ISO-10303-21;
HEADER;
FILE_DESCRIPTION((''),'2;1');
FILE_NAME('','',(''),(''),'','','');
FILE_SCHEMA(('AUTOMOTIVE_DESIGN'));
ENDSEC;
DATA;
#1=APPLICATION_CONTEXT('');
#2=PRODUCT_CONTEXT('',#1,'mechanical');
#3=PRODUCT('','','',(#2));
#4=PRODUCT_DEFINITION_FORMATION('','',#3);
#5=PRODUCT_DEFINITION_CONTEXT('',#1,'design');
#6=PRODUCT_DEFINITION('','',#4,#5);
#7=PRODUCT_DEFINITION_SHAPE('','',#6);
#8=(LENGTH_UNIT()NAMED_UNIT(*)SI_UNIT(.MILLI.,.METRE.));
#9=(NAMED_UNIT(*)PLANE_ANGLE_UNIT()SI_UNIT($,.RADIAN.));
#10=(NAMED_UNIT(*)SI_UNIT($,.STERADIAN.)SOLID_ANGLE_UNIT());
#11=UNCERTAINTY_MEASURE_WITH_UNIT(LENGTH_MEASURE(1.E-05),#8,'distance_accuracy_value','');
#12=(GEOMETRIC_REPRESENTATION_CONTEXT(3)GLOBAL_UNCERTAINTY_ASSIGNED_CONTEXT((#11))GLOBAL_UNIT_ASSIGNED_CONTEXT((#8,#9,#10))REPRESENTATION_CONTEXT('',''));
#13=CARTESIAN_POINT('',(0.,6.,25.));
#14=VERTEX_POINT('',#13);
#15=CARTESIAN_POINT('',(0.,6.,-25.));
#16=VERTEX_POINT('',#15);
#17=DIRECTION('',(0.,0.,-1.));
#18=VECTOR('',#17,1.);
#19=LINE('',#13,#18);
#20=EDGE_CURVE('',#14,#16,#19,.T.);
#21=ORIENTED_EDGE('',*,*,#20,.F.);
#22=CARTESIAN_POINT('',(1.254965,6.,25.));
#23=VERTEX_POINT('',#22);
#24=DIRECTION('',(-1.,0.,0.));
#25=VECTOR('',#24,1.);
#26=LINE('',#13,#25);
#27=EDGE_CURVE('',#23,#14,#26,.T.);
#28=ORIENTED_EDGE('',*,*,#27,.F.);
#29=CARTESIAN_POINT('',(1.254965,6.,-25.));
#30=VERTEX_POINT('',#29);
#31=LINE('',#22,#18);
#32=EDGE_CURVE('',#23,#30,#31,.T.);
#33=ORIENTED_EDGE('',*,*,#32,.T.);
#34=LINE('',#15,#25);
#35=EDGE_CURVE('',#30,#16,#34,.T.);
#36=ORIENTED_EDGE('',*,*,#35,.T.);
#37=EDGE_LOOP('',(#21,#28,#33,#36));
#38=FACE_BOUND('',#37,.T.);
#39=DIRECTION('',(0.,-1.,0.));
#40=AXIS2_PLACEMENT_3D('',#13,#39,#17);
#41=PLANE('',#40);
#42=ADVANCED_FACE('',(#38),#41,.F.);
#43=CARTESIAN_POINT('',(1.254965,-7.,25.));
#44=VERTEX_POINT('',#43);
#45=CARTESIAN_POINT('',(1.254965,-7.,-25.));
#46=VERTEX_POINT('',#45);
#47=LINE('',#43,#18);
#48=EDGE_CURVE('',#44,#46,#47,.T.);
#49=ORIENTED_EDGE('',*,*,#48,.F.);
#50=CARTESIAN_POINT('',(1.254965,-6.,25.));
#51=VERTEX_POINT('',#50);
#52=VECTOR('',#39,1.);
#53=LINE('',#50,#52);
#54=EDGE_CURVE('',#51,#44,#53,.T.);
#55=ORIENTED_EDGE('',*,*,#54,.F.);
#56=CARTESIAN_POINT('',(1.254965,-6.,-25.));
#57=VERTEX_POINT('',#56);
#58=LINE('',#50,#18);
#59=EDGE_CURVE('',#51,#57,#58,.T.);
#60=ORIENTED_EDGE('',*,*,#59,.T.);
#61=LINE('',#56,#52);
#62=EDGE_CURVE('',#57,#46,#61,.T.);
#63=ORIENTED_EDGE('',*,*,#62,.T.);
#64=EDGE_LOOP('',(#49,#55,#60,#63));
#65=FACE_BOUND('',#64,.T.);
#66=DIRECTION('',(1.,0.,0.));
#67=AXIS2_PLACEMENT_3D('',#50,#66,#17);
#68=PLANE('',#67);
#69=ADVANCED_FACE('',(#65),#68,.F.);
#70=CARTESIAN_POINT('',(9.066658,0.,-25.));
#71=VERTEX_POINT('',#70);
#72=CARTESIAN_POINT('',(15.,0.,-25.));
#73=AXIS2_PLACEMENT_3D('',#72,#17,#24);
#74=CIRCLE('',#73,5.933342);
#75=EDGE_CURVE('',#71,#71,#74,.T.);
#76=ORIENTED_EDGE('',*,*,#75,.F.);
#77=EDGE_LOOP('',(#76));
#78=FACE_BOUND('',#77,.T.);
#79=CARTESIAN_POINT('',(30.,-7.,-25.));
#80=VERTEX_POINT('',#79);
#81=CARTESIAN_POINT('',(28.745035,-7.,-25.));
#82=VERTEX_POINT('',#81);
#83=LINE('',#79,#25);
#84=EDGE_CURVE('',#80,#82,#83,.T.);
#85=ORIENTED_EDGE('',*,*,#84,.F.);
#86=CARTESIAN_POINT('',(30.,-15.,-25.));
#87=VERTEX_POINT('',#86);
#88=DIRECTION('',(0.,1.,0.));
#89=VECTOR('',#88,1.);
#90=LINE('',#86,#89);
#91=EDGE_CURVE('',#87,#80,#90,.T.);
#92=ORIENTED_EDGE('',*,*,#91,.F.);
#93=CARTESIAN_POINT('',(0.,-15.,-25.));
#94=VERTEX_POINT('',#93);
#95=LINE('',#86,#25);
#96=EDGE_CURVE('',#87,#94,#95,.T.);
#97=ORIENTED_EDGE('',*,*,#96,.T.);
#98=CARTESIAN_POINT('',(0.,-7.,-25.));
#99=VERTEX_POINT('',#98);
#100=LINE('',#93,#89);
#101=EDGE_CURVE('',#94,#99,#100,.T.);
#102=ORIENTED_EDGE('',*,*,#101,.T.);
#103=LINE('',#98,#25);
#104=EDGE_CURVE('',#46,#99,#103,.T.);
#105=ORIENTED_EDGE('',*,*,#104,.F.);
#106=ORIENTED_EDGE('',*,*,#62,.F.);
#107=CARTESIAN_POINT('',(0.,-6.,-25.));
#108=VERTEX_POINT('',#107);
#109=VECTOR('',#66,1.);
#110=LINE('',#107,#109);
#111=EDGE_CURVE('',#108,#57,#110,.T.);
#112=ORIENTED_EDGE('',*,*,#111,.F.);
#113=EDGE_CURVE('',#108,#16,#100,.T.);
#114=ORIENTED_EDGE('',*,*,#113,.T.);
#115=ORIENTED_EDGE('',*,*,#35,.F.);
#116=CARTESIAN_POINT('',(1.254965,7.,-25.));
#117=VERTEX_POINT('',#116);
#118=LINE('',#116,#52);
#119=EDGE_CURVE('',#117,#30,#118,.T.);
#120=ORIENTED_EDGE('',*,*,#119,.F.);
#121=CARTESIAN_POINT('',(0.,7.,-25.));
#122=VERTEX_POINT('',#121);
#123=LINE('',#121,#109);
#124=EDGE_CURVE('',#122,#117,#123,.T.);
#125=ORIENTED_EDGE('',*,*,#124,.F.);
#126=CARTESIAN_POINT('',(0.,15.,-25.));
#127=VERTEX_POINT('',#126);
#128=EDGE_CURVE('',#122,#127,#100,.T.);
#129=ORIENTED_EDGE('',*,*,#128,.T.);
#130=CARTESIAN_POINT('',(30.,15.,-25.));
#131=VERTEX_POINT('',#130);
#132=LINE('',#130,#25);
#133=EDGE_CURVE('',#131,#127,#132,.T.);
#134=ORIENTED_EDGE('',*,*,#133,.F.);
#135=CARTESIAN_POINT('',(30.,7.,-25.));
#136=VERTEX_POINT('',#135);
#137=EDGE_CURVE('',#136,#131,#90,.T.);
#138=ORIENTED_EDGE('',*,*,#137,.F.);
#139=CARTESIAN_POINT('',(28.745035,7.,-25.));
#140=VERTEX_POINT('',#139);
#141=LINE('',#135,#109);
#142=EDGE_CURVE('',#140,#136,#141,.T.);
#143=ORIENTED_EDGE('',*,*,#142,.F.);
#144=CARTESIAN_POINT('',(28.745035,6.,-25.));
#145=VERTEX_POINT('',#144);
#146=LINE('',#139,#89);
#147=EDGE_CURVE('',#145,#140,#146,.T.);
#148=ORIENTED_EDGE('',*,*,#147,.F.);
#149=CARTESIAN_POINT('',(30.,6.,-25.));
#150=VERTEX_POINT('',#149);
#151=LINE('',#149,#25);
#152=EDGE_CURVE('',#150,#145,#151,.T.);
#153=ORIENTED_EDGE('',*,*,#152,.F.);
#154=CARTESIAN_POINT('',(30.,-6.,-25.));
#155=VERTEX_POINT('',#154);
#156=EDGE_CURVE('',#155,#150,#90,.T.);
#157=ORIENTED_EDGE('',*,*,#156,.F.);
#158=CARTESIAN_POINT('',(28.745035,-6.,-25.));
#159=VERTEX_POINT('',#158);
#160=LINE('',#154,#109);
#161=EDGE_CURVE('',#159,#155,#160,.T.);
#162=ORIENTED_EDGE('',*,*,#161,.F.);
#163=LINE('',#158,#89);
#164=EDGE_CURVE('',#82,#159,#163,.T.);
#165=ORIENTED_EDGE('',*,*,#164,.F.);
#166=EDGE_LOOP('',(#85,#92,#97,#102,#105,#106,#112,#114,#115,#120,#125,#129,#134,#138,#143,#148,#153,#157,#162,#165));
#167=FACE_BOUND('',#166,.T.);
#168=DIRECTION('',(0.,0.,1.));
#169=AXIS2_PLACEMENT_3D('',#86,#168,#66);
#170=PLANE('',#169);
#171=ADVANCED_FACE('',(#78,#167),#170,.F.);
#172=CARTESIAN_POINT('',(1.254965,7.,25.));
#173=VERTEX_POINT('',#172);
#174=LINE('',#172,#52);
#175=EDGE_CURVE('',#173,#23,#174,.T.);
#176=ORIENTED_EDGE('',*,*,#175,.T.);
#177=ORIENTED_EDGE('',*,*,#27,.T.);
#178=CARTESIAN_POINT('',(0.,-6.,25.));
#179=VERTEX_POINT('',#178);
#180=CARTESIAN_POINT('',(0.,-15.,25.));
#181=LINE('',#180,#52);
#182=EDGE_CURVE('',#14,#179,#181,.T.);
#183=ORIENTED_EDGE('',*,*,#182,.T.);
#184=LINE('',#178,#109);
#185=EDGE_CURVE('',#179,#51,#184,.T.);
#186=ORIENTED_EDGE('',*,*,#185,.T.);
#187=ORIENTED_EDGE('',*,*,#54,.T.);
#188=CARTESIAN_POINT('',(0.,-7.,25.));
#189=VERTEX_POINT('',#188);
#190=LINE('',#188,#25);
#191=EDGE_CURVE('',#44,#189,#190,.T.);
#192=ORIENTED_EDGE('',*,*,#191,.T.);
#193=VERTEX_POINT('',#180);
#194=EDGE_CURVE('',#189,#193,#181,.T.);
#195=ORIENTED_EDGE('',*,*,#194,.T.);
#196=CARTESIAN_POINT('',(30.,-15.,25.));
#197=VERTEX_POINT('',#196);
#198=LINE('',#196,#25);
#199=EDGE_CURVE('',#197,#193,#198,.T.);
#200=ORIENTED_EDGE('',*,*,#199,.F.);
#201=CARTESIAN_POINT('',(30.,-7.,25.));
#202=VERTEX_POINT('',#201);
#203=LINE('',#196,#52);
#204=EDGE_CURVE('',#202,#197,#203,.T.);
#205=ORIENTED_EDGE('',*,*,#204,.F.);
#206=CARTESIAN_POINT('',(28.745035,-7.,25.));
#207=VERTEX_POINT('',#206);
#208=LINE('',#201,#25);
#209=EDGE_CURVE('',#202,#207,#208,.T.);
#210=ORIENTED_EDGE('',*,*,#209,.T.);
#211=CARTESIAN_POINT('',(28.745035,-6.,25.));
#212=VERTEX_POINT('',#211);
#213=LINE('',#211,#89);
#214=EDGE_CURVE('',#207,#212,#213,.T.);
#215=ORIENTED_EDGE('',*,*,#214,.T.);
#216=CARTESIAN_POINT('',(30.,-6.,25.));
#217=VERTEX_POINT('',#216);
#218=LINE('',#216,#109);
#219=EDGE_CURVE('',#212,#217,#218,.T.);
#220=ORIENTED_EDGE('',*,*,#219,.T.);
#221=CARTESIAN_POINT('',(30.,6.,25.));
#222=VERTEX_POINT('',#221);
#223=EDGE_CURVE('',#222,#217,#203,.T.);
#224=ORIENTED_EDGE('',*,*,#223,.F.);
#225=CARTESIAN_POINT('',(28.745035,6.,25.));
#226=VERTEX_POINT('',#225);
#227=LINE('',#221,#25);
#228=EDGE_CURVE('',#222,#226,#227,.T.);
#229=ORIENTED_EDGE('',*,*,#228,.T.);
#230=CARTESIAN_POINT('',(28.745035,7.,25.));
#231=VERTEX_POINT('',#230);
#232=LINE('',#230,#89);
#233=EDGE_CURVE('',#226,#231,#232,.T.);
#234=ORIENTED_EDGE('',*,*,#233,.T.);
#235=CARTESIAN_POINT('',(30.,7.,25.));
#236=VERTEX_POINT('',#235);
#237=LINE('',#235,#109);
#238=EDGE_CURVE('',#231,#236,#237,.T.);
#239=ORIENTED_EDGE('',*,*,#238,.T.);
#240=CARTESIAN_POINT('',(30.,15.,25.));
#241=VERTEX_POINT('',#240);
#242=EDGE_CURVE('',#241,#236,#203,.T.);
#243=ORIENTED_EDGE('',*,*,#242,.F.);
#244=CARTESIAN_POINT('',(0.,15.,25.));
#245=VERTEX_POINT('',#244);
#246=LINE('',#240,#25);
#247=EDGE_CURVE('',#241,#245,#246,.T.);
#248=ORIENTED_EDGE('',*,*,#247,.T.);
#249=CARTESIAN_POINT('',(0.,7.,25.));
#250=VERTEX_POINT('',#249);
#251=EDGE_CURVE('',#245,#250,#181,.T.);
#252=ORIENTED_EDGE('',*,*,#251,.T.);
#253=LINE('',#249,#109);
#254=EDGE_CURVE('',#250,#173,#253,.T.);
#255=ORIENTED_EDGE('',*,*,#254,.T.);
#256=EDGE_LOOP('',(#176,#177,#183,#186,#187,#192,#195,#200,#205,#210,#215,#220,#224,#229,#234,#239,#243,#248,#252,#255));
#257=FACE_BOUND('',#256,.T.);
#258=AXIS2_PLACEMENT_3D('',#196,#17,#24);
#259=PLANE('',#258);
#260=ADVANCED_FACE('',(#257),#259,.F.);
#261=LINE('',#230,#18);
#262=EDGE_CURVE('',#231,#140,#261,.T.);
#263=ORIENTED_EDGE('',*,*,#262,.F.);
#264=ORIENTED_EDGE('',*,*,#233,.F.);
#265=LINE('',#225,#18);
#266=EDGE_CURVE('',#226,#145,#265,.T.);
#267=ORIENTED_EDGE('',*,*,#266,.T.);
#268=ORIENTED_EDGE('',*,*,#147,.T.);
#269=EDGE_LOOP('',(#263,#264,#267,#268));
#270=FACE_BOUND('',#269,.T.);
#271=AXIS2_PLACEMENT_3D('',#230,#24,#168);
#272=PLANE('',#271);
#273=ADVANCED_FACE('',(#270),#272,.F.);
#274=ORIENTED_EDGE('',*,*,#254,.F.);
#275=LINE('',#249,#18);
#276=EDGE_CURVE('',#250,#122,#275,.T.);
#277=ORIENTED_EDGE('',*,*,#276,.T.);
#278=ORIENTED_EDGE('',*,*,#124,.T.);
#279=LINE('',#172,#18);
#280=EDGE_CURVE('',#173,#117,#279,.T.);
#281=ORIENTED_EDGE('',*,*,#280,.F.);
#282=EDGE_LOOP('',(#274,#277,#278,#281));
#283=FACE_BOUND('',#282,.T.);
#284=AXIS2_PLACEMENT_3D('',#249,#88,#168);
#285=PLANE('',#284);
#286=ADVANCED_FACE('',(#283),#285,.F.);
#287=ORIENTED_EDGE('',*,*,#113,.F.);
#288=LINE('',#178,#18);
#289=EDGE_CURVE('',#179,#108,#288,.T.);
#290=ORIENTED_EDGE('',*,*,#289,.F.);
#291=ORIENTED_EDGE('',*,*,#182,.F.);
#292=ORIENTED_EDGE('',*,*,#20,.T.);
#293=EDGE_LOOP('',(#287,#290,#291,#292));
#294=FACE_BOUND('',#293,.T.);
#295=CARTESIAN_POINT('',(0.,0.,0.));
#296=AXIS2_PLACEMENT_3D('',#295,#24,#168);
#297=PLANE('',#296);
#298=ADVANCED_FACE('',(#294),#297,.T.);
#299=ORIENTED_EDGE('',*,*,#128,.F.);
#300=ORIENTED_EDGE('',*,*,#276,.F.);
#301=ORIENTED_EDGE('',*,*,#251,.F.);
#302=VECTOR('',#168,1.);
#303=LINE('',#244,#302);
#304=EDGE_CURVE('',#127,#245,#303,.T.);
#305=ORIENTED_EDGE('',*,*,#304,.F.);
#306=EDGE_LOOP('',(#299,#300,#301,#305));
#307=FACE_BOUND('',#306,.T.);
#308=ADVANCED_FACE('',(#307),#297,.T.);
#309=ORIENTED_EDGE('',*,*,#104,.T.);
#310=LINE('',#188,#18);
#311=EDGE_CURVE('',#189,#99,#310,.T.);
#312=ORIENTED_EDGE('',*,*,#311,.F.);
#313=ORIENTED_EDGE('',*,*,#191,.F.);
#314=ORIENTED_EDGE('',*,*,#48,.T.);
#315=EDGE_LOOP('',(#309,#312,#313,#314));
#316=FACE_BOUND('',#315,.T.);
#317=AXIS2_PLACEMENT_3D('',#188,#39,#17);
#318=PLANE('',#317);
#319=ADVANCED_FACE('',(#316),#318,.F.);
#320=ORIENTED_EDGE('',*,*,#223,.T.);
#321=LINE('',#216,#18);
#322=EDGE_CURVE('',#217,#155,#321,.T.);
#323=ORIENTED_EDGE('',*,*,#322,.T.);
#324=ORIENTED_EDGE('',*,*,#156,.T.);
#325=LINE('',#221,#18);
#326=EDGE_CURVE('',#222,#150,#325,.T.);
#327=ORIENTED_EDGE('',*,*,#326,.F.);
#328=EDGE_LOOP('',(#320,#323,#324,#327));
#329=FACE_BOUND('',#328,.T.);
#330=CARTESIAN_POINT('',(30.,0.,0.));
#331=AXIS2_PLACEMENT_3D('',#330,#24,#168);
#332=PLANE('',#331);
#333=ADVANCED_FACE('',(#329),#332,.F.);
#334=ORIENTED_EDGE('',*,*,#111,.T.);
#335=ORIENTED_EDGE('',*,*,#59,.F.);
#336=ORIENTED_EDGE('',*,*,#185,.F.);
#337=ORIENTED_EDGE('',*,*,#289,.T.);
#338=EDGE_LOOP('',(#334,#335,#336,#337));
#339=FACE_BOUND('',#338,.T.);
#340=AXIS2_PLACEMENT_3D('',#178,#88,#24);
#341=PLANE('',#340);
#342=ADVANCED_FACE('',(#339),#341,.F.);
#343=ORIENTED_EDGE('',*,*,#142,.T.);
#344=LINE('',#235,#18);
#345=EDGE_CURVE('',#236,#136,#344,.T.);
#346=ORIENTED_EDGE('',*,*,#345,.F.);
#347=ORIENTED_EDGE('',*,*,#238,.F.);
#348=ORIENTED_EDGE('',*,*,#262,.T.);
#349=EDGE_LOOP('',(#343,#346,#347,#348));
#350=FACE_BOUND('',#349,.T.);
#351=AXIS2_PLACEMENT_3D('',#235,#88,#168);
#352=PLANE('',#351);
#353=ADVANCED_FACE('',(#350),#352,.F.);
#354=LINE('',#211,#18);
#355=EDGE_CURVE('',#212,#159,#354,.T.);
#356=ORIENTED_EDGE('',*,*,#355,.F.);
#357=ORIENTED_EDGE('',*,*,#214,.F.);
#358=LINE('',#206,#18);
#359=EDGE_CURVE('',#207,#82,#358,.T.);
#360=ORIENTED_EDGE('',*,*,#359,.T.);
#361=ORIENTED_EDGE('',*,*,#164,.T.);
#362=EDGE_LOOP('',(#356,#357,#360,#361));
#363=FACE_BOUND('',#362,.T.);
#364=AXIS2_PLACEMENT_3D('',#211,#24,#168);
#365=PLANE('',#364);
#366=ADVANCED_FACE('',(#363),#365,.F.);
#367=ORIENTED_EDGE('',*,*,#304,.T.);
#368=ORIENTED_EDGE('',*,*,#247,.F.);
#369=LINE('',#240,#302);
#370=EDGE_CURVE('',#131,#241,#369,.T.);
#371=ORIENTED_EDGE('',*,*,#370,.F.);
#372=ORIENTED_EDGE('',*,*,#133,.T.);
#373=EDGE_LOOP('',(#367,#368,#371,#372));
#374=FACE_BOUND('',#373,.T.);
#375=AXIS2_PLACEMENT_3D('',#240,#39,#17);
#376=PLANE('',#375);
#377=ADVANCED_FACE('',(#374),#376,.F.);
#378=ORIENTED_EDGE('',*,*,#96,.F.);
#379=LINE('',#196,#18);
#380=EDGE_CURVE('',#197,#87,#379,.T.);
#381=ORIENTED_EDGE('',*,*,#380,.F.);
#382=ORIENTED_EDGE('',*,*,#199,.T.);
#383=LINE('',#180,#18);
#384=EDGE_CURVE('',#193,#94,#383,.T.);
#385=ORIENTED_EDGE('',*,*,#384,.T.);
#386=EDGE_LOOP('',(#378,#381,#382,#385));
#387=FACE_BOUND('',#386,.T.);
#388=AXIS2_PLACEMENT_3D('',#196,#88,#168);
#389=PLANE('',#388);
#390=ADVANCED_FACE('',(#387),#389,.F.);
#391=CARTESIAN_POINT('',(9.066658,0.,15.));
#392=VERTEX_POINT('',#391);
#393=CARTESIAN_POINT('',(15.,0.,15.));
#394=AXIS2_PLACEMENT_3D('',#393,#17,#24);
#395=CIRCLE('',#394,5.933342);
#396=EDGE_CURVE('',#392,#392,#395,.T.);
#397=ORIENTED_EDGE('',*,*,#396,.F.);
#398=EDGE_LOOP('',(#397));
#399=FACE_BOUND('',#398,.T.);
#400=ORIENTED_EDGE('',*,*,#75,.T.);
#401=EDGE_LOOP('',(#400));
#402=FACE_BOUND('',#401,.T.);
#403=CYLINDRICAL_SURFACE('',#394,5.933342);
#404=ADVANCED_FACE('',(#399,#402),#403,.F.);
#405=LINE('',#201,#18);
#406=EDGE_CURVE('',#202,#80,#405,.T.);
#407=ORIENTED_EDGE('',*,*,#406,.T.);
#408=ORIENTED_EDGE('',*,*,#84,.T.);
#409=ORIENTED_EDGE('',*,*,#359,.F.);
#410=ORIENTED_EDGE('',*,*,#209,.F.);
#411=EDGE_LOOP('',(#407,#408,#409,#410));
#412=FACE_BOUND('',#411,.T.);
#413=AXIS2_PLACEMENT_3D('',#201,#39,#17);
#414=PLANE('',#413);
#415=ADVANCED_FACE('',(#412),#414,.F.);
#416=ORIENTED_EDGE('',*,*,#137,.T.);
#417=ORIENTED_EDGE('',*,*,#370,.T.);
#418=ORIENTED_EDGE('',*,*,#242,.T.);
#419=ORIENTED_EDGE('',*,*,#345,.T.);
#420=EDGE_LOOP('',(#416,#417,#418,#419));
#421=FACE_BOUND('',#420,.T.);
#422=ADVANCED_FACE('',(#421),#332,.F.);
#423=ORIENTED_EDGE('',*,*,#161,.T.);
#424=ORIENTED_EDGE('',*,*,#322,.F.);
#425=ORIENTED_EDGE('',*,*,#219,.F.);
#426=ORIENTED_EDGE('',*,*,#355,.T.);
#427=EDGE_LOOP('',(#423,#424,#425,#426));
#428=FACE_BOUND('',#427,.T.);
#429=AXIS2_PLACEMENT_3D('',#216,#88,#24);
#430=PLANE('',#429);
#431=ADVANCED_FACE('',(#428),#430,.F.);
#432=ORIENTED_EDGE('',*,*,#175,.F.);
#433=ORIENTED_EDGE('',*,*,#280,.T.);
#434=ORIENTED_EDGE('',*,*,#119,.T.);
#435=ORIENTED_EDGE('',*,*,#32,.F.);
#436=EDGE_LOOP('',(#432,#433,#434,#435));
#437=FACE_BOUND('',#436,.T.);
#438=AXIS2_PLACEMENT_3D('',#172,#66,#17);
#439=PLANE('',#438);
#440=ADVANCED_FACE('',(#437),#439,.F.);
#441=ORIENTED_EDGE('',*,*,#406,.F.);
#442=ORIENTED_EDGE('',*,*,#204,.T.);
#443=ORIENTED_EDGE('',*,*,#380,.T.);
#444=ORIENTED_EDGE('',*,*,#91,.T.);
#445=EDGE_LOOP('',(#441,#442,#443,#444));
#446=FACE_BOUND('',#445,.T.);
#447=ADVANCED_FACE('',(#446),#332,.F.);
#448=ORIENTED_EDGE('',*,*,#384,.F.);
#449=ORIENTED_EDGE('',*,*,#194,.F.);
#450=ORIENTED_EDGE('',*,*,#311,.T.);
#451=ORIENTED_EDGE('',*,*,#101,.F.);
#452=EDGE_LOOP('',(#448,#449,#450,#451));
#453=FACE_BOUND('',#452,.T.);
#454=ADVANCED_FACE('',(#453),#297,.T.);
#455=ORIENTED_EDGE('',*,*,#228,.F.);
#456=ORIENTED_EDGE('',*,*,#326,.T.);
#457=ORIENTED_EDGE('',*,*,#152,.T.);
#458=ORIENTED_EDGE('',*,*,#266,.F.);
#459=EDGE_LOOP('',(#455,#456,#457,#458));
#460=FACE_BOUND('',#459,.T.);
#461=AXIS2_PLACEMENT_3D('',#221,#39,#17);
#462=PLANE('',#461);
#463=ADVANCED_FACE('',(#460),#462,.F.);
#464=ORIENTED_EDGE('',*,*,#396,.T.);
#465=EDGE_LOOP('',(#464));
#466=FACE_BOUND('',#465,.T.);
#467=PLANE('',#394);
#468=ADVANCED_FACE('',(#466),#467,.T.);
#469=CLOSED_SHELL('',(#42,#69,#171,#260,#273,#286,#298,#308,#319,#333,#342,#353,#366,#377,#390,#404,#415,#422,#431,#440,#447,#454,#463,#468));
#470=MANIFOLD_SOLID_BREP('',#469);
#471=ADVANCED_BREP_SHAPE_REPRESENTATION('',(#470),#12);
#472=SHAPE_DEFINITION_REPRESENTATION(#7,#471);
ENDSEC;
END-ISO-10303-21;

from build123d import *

# Parameters (mm, degrees)
SKETCH1_W           = 50
SKETCH1_H           = 30
BOSS_EXTRUDE1_DEPTH = 30
SKETCH3_R           = 5.933342005
CUT_EXTRUDE1_DEPTH  = 40
SKETCH4_W           = 1.254965376
SKETCH4_H           = 1
CUT_EXTRUDE2_DEPTH  = 51


with BuildPart() as part:
    # Sketch1 → Boss-Extrude1 (new body)
    with BuildSketch(Plane(origin=(0, 0, 0), x_dir=(0, 0, -1), z_dir=(1, 0, 0))):
        Rectangle(SKETCH1_W, SKETCH1_H)
    extrude(amount=BOSS_EXTRUDE1_DEPTH)

    # Sketch3 → Cut-Extrude1 (cut)
    with BuildSketch(Plane(origin=(0, 0, -25), x_dir=(-1, 0, 0), z_dir=(0, 0, -1))):
        with Locations((-15, 0)):
            Circle(SKETCH3_R)
    extrude(amount=-CUT_EXTRUDE1_DEPTH, mode=Mode.SUBTRACT)

    # Sketch4 → Cut-Extrude2 (cut, through all)
    with BuildSketch(Plane(origin=(0, 0, -25), x_dir=(-1, 0, 0), z_dir=(0, 0, -1))):
        with Locations((-29.372517312, 6.5)):
            Rectangle(SKETCH4_W, SKETCH4_H)
        with Locations((-29.372517312, -6.5)):
            Rectangle(SKETCH4_W, SKETCH4_H)
        with Locations((-0.627482688, -6.5)):
            Rectangle(SKETCH4_W, SKETCH4_H)
        with Locations((-0.627482688, 6.5)):
            Rectangle(SKETCH4_W, SKETCH4_H)
    extrude(amount=-CUT_EXTRUDE2_DEPTH, mode=Mode.SUBTRACT)


solid = part.part
